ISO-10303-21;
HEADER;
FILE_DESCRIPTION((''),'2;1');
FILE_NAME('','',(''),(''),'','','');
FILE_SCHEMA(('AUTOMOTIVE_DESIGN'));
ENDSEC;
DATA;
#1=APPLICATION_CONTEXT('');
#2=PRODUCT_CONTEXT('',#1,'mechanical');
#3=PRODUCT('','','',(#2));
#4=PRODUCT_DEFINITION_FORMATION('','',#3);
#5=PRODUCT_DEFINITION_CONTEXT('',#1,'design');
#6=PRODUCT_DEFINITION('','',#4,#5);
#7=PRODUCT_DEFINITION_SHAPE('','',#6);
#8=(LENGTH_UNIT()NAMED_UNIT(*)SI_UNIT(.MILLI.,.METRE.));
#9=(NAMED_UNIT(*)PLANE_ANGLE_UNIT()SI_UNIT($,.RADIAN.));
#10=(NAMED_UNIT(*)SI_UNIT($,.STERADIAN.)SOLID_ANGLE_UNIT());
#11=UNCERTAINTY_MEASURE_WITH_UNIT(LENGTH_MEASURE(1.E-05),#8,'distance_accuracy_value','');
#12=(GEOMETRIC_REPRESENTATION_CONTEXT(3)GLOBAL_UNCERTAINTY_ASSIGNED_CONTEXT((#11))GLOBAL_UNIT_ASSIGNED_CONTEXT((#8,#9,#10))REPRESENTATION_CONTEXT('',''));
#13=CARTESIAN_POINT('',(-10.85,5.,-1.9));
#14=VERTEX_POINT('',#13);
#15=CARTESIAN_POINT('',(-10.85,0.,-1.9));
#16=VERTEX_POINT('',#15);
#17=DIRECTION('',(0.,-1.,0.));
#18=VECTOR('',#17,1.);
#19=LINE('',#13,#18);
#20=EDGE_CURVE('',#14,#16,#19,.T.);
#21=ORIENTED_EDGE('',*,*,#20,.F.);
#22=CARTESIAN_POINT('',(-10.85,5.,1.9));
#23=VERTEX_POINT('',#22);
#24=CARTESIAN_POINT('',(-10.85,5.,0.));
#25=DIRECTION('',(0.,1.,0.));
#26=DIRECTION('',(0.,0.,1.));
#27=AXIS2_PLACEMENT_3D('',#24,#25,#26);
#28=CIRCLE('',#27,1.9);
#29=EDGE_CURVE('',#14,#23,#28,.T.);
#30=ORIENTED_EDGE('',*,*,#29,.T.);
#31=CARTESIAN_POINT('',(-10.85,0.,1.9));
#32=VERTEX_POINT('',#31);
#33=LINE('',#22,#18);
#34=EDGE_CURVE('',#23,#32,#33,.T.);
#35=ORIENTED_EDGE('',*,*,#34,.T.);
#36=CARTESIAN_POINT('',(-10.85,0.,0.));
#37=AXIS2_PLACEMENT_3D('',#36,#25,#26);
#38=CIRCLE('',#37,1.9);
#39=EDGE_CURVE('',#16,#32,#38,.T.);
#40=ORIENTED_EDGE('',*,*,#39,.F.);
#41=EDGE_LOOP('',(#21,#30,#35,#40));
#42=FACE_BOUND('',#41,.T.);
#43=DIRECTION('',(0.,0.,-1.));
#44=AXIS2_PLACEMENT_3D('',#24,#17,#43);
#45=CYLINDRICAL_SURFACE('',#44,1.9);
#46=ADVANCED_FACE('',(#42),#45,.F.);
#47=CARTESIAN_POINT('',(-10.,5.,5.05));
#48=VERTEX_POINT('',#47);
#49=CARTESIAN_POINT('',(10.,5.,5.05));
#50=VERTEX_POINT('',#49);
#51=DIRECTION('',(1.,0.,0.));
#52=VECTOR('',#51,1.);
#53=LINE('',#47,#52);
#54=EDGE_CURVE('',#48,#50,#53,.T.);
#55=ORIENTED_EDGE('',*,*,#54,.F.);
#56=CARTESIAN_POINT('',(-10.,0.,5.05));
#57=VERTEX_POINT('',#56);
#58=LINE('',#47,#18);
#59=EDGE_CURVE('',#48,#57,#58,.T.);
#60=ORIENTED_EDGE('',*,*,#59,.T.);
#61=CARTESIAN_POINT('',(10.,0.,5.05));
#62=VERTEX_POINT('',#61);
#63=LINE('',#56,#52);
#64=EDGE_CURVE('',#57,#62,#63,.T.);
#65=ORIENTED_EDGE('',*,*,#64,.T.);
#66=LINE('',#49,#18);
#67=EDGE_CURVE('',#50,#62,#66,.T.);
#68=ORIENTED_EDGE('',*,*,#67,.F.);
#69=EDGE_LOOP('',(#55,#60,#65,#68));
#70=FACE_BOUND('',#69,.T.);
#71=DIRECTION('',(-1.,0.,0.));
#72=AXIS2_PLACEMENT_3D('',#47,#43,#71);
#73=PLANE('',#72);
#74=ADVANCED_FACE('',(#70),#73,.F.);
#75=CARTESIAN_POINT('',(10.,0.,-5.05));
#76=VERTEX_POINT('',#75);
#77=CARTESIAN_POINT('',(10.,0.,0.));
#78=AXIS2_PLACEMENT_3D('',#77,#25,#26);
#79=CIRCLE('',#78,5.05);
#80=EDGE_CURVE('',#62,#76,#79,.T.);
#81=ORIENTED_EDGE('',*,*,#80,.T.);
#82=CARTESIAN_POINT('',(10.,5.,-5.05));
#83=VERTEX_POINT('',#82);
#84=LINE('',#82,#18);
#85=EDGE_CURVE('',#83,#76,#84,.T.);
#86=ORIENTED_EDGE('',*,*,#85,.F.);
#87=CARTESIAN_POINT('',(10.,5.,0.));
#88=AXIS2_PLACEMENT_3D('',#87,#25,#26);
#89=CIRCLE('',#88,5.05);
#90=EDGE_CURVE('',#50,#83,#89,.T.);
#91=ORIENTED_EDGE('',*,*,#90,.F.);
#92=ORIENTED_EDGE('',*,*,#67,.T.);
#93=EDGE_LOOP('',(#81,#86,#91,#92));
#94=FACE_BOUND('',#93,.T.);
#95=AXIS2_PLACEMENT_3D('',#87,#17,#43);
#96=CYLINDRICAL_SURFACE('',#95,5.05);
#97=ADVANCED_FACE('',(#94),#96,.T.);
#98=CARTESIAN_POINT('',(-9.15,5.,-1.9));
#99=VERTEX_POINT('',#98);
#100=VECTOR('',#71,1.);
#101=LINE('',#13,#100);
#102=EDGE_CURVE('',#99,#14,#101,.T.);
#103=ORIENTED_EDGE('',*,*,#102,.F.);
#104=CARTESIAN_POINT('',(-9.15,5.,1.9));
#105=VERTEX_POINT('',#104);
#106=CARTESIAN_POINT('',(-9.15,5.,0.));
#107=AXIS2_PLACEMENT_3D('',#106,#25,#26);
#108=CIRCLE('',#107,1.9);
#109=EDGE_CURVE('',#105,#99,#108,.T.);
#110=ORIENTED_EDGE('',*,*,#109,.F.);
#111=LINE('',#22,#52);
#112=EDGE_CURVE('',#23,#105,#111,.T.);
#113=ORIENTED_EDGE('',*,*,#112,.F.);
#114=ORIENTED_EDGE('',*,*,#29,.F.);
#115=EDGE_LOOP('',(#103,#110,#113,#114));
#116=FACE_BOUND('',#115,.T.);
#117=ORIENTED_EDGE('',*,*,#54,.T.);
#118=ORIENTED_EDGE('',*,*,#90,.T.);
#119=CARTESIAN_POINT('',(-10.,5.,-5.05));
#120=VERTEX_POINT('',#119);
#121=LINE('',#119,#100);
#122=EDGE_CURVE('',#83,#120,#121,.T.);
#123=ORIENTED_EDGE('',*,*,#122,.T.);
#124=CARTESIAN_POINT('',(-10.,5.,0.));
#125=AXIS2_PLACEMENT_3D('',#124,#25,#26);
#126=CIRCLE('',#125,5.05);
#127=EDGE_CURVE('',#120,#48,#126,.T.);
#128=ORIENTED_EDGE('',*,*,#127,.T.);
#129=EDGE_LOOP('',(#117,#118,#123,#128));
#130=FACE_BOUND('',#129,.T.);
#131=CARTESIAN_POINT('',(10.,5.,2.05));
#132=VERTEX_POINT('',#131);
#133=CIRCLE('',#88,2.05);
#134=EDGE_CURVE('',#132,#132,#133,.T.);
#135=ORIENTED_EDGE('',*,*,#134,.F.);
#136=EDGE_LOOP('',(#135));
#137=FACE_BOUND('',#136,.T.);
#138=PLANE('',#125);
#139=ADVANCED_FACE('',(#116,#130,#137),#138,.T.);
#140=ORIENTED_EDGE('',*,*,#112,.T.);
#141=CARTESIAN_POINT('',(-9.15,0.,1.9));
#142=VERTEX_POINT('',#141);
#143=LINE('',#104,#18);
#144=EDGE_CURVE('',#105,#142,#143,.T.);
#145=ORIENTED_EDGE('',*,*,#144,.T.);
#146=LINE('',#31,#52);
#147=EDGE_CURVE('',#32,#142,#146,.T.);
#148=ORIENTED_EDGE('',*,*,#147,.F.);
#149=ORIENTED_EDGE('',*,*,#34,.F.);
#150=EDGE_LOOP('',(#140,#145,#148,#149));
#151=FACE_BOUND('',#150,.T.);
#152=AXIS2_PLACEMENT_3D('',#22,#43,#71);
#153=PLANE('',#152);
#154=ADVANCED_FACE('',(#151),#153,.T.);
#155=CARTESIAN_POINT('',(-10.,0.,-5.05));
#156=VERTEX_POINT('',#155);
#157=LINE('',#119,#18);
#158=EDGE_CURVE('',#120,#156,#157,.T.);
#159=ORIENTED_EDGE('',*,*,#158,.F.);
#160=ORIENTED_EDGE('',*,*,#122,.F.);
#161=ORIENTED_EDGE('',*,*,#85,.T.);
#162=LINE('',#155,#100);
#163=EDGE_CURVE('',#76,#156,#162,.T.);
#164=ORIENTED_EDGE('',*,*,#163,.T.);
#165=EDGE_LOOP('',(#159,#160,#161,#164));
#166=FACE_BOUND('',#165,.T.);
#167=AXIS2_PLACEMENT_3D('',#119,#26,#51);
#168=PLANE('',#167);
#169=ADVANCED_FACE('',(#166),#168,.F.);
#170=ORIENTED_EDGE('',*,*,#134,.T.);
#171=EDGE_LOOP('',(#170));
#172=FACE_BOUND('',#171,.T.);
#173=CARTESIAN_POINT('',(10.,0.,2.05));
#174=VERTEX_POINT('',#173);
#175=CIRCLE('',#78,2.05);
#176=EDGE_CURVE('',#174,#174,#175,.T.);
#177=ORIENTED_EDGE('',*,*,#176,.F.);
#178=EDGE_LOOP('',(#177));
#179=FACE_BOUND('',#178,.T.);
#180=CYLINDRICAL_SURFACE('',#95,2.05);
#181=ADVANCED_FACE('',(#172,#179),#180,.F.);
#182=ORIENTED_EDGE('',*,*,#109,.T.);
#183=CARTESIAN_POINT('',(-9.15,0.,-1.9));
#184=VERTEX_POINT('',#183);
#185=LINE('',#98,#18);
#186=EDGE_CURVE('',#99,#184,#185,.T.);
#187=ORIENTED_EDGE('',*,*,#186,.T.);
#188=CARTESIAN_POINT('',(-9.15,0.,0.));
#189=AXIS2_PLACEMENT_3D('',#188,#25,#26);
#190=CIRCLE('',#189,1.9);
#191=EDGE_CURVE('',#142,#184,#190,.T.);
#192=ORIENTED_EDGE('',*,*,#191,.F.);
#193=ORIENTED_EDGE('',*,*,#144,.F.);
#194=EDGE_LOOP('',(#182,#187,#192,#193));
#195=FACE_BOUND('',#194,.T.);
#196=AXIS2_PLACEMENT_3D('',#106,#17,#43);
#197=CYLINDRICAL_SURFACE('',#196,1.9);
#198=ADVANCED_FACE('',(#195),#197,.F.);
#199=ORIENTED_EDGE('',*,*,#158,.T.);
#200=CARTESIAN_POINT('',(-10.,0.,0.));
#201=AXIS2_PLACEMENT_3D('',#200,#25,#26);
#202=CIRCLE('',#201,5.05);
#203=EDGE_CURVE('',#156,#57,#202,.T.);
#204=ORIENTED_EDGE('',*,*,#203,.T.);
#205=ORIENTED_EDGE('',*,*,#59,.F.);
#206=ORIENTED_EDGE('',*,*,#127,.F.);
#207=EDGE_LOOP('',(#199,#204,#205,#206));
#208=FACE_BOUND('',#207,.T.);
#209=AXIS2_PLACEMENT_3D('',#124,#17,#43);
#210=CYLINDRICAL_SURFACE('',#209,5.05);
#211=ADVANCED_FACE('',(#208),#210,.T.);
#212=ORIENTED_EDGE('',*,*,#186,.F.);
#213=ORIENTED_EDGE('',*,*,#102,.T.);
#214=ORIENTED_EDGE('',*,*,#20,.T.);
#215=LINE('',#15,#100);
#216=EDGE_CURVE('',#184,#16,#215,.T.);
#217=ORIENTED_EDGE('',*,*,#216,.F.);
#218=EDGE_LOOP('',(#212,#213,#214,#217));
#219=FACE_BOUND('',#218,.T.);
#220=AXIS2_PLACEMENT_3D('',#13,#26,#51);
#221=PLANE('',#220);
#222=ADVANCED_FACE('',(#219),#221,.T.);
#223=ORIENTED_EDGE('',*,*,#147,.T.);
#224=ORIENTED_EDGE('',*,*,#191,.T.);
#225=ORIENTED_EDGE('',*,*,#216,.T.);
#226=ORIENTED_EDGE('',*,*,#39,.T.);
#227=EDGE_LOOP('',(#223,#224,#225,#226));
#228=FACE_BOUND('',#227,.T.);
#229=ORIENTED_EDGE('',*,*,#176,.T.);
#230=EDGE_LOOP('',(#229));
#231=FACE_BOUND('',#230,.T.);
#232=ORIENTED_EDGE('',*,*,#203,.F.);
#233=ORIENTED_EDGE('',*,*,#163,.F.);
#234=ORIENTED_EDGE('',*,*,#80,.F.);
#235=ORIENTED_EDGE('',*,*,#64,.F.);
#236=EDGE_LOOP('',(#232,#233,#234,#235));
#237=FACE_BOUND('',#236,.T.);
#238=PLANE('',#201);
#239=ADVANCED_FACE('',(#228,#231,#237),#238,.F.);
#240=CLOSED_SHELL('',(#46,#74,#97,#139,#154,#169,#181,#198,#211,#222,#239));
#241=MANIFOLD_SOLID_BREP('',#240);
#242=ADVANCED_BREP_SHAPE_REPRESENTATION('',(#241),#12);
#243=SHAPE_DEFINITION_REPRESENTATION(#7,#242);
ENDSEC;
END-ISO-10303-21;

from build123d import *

# Parameters (mm, degrees)
SKETCH_1_R      = 2.05
EXTRUDE_1_DEPTH = 5


with BuildPart() as part:
    # 草圖1 → 填料-伸長1 (new body)
    with BuildSketch(Plane(origin=(0, 0, 0), x_dir=(1, 0, 0), z_dir=(0, 1, 0))):
        with BuildLine():
            Line((-10, 5.05), (10, 5.05))
            ThreePointArc((10, 5.05), (15.05, 0), (10, -5.05))
            Line((10, -5.05), (-10, -5.05))
            ThreePointArc((-10, -5.05), (-15.05, 0), (-10, 5.05))
        make_face()
        with Locations(Location((10, 0, 0), (0, 0, 270))):
            Circle(SKETCH_1_R, mode=Mode.SUBTRACT)
        with BuildLine():
            Line((-10.85, 1.9), (-9.15, 1.9))
            ThreePointArc((-9.15, 1.9), (-7.25, 0), (-9.15, -1.9))
            Line((-9.15, -1.9), (-10.85, -1.9))
            ThreePointArc((-10.85, -1.9), (-12.75, 0), (-10.85, 1.9))
        make_face(mode=Mode.SUBTRACT)
    extrude(amount=EXTRUDE_1_DEPTH)


solid = part.part
